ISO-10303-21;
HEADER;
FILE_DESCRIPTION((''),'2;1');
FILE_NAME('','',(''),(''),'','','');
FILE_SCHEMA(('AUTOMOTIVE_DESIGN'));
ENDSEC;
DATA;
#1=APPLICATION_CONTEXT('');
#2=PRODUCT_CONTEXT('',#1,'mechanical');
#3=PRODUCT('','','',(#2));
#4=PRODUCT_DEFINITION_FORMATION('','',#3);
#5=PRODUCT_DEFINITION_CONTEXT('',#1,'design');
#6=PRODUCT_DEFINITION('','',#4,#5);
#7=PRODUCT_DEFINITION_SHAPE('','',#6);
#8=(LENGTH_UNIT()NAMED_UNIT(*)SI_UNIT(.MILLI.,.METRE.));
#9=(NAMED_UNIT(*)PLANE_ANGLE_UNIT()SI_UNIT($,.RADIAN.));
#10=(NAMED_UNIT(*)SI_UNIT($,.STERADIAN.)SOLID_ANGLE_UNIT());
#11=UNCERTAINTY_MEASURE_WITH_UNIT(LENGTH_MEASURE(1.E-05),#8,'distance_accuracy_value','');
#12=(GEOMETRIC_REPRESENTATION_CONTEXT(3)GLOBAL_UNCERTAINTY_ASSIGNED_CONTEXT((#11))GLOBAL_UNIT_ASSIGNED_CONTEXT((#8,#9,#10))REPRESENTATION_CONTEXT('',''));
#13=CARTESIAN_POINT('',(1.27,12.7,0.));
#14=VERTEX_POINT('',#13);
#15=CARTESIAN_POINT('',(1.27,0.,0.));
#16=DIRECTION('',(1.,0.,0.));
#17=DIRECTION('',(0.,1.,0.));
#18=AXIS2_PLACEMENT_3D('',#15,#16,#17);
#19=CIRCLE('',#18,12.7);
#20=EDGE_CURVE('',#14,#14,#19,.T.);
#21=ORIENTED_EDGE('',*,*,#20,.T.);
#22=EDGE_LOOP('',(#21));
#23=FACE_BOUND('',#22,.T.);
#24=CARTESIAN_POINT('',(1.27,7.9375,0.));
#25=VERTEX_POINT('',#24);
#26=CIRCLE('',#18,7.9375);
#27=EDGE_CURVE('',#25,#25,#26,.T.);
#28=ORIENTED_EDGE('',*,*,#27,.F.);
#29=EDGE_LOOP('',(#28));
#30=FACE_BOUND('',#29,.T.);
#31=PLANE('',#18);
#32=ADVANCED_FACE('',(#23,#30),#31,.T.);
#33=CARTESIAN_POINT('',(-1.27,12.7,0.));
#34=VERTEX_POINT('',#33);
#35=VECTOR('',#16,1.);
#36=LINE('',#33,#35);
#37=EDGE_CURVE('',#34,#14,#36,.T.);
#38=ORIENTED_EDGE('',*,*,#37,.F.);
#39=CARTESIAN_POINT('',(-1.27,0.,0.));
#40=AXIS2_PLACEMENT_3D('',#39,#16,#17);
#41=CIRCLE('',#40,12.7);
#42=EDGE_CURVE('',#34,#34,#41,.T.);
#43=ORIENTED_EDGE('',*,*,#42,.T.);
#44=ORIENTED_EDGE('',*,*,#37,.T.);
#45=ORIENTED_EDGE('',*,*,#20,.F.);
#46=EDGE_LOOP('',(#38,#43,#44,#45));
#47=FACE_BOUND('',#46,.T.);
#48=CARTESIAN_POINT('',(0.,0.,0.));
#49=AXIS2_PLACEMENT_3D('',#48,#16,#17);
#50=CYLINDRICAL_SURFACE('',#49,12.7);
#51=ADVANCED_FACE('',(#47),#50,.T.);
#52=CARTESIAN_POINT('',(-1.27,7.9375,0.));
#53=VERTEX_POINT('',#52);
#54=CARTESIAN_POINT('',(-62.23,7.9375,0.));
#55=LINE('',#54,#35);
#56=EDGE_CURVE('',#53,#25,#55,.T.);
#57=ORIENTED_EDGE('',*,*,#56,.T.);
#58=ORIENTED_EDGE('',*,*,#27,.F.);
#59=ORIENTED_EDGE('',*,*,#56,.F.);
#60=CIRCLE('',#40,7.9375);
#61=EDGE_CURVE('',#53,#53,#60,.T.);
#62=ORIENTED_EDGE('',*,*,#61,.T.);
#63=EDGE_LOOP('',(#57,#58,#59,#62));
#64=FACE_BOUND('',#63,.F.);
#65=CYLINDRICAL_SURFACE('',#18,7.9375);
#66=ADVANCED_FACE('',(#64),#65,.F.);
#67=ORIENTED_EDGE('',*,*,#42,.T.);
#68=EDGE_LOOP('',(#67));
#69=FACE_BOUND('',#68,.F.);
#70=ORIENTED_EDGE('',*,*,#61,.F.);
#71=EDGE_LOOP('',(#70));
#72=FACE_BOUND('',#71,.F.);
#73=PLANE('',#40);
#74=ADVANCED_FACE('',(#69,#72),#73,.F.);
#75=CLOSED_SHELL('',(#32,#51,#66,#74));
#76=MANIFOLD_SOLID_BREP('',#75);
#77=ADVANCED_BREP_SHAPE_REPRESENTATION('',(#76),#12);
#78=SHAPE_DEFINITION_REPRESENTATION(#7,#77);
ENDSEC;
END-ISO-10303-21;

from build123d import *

# Parameters (mm, degrees)
F0_R     = 12.7
F1_DEPTH = 1.27
F2_R     = 7.9375
F3_DEPTH = 63.5


with BuildPart() as f1:
    # F0 (on Right) → F1 (new body, symmetric)
    with BuildSketch(Plane.YZ):
        Circle(F0_R)
    extrude(amount=F1_DEPTH, both=True)

    # F2 (on face) → F3 (cut, symmetric)
    with BuildSketch(Plane.YZ.offset(1.27)):
        Circle(F2_R)
    extrude(amount=F3_DEPTH, both=True, mode=Mode.SUBTRACT)


solid = f1.part
